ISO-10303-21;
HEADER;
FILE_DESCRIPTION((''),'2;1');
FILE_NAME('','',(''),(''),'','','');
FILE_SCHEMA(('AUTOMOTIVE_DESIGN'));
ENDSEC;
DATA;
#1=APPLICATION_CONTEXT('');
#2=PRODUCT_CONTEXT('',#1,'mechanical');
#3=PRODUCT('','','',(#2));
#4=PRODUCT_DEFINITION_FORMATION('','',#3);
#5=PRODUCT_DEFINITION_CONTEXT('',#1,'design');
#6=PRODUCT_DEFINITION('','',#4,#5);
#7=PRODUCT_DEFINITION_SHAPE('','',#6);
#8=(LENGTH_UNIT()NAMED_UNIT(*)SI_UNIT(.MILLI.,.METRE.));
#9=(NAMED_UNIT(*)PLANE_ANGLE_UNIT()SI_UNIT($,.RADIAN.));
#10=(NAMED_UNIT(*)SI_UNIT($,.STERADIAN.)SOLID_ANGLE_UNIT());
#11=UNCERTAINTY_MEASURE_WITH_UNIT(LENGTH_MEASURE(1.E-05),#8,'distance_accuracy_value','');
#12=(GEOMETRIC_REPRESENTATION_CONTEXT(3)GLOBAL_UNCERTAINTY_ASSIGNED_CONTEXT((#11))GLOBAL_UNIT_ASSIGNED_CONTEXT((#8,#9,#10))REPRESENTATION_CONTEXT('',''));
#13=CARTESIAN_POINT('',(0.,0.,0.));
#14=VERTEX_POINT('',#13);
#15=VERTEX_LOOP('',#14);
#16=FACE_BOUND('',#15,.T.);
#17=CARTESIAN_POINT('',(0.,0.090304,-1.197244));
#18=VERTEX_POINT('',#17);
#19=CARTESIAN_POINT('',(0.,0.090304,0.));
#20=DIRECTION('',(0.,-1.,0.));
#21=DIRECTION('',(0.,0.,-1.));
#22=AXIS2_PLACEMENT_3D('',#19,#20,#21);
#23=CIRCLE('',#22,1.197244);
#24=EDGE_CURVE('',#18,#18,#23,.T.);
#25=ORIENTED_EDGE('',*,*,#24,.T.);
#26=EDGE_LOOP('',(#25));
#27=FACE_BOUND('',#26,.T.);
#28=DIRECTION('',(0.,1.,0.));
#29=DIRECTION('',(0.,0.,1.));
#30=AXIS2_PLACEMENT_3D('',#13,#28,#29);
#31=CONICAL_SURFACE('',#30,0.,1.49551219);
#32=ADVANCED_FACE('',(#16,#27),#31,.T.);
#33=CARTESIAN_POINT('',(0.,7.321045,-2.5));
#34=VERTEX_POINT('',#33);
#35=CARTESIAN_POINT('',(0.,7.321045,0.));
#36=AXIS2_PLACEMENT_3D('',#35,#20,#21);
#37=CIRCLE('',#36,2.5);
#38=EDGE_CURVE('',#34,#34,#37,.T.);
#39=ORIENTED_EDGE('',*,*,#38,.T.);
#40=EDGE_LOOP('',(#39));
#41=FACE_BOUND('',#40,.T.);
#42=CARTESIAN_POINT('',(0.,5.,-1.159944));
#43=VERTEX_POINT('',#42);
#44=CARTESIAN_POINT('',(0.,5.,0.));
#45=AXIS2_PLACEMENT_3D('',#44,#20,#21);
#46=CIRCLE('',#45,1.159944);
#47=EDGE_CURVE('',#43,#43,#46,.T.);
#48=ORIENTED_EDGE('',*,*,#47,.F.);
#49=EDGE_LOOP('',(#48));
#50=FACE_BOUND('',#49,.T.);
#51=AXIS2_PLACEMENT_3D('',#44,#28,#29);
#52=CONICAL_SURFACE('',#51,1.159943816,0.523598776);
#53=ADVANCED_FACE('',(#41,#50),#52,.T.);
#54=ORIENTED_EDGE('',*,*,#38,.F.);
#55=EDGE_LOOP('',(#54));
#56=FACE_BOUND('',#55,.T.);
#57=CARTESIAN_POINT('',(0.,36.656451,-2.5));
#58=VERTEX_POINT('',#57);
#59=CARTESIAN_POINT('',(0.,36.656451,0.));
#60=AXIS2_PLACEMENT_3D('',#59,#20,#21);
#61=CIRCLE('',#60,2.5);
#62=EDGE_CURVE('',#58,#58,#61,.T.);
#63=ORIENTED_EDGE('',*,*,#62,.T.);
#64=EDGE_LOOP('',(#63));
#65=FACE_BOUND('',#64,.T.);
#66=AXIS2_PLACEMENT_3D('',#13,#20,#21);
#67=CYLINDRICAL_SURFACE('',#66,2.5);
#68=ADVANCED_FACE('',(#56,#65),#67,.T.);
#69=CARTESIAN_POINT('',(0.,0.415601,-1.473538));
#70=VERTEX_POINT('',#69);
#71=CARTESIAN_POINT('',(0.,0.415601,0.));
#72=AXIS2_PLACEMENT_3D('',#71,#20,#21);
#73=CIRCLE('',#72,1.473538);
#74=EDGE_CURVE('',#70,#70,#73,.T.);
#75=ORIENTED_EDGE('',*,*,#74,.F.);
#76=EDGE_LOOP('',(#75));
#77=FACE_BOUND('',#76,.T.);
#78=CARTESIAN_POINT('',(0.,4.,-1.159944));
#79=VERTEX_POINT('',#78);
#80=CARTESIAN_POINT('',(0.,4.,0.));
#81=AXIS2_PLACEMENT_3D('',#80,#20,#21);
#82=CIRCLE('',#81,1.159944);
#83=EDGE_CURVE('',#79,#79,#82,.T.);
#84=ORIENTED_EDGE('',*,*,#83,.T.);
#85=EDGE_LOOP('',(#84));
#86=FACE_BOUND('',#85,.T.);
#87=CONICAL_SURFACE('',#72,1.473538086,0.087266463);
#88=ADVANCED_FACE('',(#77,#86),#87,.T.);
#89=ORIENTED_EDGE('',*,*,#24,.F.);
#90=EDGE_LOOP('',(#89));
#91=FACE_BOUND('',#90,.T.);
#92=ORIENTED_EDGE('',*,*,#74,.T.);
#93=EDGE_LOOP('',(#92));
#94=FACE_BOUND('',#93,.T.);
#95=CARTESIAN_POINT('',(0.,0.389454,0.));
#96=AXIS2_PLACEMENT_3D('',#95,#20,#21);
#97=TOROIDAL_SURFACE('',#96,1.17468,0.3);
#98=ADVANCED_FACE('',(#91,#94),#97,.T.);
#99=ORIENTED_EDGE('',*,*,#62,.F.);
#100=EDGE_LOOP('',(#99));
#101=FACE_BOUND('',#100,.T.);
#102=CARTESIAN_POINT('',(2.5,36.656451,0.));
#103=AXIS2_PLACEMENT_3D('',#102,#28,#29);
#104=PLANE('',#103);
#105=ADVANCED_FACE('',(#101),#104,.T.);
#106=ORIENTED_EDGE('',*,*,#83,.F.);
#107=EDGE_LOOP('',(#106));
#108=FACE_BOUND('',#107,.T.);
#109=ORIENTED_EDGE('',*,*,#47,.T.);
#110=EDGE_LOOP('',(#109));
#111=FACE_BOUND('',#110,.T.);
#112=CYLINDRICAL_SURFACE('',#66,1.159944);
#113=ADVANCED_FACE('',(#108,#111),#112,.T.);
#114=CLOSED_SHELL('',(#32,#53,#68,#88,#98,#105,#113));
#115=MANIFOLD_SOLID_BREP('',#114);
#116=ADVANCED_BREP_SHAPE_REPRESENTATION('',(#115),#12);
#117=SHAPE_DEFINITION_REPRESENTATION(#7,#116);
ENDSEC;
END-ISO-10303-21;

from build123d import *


with BuildPart() as part:
    # Sketch1 → Revolve3 (revolve)
    with BuildSketch(Plane.XY, mode=Mode.PRIVATE) as revolve3_sk:
        with BuildLine():
            Line((0, 0), (1.19724359, 0.09030412))
            ThreePointArc((1.19724359, 0.09030412), (1.403333579, 0.195244703), (1.473538086, 0.415601089))
            Line((1.473538086, 0.415601089), (1.159943816, 4))
            Line((1.159943816, 4), (1.159943816, 5))
            Line((1.159943816, 5), (2.5, 7.321045395))
            Line((2.5, 7.321045395), (2.5, 36.656450649))
            Line((2.5, 36.656450649), (0, 36.656450649))
            Line((0, 36.656450649), (0, 0))
        make_face()
    revolve(revolve3_sk.sketch.rotate(Axis((0, 0, 0), (0, 1, 0)), 90), axis=Axis((0, 0, 0), (0, 1, 0)))  # turned: the seam where the file's is


solid = part.part
